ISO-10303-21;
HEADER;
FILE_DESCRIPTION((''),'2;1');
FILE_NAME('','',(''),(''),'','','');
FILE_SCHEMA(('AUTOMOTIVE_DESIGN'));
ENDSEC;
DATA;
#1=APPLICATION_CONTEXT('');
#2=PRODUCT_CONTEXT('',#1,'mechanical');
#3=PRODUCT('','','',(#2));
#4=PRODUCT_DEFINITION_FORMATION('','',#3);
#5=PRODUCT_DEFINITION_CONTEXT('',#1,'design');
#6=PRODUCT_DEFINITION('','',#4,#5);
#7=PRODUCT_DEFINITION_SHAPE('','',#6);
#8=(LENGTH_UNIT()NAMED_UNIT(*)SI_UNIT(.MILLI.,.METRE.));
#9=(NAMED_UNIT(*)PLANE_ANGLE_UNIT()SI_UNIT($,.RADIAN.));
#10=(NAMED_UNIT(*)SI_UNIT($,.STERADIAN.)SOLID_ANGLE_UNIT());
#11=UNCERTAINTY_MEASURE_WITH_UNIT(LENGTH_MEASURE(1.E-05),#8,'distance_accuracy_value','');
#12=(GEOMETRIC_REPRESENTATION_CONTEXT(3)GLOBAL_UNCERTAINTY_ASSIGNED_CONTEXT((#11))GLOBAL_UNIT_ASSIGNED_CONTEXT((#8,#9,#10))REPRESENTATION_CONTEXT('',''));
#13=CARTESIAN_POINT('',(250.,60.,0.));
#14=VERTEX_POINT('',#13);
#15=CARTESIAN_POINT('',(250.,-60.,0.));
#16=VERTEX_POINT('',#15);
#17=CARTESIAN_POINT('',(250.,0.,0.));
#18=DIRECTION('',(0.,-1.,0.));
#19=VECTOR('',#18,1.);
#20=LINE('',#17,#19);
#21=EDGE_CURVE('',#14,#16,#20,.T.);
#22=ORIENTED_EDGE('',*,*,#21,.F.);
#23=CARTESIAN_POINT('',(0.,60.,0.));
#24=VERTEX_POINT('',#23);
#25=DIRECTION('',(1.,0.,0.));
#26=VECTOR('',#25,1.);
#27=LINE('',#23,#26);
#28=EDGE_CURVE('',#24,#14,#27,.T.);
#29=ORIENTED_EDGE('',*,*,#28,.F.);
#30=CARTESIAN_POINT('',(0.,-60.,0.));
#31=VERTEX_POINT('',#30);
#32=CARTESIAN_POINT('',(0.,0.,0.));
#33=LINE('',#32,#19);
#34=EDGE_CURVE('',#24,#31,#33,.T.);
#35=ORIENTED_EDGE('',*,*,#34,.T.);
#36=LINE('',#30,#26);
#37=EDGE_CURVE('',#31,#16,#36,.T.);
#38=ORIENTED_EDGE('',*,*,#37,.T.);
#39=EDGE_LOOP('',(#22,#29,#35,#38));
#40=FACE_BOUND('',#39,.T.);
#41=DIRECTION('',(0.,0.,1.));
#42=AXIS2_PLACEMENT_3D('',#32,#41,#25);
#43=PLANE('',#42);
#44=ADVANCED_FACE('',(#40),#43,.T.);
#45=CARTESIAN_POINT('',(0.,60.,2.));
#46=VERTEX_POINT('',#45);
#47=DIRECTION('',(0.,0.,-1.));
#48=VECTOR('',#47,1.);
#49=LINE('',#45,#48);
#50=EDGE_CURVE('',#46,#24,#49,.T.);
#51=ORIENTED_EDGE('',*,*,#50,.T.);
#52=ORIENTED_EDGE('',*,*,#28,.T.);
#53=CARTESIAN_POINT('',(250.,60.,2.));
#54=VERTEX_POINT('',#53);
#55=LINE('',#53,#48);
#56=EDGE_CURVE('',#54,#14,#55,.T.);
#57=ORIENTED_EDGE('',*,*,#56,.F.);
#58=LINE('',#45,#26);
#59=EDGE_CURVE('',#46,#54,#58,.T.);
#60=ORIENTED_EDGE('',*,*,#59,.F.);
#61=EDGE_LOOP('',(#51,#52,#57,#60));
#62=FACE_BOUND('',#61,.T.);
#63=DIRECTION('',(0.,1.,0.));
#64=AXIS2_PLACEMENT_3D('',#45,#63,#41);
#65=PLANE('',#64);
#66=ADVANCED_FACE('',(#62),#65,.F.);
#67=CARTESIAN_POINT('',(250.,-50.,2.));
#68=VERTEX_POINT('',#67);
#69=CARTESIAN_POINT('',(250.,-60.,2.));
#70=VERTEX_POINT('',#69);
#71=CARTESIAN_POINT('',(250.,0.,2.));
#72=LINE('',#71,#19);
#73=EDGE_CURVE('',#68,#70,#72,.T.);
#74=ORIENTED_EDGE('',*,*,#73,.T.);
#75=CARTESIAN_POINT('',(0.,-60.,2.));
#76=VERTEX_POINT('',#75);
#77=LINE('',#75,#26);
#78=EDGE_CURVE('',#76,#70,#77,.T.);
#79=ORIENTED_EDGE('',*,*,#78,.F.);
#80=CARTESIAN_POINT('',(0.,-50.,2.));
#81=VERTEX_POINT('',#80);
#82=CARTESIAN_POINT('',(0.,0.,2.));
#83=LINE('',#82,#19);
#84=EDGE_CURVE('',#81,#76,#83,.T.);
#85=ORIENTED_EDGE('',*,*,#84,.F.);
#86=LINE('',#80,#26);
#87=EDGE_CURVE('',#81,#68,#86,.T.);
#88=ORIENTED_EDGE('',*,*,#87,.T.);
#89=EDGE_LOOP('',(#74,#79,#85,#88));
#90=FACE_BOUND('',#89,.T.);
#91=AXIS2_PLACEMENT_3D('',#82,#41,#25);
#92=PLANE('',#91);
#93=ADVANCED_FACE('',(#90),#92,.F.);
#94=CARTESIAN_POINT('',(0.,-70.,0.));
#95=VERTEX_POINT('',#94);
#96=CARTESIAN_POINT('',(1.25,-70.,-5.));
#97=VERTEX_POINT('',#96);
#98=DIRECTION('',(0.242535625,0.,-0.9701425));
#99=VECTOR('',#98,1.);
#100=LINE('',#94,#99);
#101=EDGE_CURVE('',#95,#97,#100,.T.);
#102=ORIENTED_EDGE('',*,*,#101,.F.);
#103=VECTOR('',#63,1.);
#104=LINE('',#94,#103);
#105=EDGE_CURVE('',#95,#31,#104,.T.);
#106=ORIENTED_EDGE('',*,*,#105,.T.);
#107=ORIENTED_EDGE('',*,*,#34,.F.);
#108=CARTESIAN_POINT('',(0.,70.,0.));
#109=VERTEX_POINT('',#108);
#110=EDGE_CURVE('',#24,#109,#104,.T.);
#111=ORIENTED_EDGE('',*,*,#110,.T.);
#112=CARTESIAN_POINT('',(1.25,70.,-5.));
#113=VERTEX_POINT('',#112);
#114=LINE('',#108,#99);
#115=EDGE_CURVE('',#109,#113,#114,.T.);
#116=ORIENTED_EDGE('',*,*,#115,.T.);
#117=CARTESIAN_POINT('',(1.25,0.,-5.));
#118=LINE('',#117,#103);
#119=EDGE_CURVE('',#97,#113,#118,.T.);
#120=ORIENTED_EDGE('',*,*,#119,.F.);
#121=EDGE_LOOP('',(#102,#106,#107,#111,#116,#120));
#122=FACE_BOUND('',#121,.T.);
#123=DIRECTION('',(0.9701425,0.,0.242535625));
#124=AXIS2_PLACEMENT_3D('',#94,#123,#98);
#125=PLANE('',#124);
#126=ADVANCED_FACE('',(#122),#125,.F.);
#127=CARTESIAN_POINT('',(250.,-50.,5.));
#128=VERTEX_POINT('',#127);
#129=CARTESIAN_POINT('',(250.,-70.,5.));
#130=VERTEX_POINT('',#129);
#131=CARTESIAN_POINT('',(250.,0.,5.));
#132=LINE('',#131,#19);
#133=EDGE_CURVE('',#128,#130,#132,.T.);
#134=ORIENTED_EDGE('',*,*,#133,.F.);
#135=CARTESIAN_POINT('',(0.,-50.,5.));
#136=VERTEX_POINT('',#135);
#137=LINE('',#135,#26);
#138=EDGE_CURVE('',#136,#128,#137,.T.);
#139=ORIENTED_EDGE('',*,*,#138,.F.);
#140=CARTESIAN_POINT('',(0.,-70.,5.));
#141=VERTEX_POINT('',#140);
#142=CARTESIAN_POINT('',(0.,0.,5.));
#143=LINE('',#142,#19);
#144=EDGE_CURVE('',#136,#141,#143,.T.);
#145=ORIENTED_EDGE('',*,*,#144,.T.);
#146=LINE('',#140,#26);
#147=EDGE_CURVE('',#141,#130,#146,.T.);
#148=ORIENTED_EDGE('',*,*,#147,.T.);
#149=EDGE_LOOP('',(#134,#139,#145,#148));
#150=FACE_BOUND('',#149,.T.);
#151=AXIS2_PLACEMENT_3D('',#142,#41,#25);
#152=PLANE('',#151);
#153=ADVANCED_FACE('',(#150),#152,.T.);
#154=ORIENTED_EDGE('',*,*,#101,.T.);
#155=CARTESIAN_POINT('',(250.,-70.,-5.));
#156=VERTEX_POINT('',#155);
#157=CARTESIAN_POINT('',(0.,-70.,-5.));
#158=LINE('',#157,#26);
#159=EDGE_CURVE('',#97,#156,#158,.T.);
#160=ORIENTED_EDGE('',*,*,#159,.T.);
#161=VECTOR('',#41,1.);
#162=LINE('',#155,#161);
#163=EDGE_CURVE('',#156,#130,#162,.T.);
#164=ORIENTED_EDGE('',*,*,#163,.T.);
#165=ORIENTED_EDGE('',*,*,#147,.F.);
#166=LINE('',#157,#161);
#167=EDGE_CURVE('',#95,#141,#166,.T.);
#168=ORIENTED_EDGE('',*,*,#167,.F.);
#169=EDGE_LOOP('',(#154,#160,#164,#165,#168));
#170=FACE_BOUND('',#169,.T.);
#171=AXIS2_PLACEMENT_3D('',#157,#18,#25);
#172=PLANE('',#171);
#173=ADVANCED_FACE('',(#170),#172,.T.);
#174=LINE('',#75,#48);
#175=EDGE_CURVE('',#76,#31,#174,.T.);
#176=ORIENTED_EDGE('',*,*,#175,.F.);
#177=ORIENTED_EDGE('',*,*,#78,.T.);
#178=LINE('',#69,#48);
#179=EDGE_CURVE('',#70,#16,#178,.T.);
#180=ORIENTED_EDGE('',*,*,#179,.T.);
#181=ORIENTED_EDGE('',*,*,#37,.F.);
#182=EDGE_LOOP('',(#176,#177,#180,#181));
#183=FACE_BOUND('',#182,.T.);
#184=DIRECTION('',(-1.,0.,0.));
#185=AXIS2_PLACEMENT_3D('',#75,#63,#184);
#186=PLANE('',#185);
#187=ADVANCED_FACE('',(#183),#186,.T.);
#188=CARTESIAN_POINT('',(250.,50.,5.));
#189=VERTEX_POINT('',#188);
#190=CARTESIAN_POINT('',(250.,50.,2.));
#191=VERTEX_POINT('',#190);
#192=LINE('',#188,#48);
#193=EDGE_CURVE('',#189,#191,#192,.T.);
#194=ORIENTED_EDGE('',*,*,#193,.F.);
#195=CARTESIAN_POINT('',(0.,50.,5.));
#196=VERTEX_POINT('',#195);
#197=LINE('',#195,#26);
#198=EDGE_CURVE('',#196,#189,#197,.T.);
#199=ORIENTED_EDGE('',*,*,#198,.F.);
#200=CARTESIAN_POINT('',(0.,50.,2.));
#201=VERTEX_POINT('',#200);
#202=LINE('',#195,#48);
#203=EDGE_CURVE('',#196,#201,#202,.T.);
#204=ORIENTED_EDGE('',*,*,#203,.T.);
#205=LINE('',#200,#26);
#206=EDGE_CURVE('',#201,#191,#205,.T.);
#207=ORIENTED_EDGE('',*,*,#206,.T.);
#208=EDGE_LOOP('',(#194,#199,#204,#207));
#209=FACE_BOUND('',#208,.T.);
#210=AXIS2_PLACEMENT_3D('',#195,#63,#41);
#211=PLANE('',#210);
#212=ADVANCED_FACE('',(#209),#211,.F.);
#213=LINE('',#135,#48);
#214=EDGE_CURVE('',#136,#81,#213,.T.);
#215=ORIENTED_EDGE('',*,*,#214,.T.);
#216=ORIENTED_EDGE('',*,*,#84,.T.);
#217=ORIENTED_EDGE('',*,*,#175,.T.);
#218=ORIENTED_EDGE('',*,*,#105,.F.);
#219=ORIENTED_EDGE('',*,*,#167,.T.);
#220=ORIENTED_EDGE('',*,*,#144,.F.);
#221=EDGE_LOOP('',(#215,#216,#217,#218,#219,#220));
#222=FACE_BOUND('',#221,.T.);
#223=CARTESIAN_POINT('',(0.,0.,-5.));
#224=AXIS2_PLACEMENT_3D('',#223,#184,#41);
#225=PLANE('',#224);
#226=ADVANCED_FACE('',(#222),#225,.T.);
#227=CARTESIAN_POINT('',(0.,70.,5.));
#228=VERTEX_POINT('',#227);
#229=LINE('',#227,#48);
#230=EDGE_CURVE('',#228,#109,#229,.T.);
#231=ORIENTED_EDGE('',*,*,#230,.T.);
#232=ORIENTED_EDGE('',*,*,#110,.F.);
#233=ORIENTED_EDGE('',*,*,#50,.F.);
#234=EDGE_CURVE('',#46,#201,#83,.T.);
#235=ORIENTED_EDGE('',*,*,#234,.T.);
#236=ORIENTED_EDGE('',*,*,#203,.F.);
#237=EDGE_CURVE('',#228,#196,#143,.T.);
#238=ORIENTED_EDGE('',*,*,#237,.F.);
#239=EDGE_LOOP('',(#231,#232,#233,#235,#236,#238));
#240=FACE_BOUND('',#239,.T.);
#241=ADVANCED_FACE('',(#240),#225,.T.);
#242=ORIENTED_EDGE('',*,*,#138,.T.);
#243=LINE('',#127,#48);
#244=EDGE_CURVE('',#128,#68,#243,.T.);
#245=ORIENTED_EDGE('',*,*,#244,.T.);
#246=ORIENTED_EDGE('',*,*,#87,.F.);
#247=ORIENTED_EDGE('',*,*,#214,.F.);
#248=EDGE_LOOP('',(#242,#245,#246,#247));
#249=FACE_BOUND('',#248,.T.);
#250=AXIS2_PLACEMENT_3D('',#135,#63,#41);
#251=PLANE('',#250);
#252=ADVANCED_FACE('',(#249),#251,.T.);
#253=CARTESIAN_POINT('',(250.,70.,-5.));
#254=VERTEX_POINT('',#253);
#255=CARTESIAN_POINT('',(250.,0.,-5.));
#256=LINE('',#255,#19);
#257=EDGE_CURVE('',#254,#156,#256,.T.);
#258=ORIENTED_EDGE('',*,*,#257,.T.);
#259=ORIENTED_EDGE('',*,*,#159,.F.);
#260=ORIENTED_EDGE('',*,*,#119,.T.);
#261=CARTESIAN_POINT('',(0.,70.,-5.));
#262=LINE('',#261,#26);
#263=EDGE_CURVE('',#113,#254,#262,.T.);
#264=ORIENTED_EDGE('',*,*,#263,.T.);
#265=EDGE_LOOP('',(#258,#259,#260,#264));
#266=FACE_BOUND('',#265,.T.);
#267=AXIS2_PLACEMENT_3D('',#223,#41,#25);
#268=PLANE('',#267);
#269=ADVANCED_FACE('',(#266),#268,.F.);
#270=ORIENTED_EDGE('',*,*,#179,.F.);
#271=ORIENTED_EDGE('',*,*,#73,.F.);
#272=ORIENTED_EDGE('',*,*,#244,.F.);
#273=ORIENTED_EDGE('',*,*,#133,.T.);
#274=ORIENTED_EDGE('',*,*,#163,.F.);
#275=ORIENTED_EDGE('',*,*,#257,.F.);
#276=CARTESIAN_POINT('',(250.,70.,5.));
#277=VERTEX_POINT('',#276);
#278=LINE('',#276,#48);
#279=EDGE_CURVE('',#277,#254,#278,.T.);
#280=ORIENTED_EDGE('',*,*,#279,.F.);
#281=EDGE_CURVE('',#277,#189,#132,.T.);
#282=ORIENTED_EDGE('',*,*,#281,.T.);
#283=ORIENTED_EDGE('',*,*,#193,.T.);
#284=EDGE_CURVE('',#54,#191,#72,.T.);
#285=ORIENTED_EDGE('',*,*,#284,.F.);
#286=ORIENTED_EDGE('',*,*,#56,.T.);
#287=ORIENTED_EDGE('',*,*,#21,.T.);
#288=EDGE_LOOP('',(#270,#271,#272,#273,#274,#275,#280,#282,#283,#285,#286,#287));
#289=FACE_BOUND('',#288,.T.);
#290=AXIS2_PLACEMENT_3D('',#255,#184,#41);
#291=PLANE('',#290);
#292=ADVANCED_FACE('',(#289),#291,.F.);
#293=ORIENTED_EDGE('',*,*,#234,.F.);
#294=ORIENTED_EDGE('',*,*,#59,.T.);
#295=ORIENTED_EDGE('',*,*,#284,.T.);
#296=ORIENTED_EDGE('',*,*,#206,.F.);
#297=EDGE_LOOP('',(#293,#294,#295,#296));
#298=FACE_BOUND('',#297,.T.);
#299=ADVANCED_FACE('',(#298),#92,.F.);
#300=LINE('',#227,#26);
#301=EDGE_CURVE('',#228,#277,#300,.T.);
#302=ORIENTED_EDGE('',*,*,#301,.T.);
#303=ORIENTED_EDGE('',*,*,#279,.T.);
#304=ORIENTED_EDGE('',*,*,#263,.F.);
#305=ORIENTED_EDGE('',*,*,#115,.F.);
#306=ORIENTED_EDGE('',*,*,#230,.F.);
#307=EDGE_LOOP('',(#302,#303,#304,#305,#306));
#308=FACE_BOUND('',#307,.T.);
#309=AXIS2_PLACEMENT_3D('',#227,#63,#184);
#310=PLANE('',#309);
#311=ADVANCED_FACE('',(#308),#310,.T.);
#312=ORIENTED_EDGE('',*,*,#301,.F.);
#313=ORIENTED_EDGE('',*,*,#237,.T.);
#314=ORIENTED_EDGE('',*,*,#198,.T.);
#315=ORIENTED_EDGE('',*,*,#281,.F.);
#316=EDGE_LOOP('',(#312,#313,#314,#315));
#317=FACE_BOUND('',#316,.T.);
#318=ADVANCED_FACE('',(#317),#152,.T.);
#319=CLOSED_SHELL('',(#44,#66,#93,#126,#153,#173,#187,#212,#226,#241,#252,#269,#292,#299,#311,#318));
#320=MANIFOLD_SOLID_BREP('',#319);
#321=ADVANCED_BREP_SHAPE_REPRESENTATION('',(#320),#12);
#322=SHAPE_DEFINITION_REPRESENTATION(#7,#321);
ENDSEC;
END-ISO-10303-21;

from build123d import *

# Parameters (mm, degrees)
BOSS_EXTRUDE1_DEPTH      = 5
BOSS_EXTRUDE1_DEPTH_BACK = 5
SKETCH1_W                = 250
SKETCH1_H                = 140
SKETCH1_3_W              = 250
SKETCH1_3_H              = 100
CUT_EXTRUDE1_DEPTH       = 260.663243452
SKETCH1_4_W              = 250
SKETCH1_4_H              = 10
CUT_EXTRUDE2_DEPTH       = 2
CUT_EXTRUDE3_DEPTH       = 260.663243452
CUT_EXTRUDE3_DEPTH_BACK  = 260.663243452


with BuildPart() as part:
    # Sketch1 → Boss-Extrude1 (new, two sides: drawn at the far end of the back side and taken through both)
    with BuildSketch(Plane.XY.offset(-BOSS_EXTRUDE1_DEPTH_BACK)):
        with Locations((125, 0)):
            Rectangle(SKETCH1_W, SKETCH1_H)
    extrude(amount=BOSS_EXTRUDE1_DEPTH + BOSS_EXTRUDE1_DEPTH_BACK)

    # Sketch1<3> → Cut-Extrude1 (cut, through all)
    with BuildSketch(Plane.XY):
        with Locations((125, 0)):
            Rectangle(SKETCH1_3_W, SKETCH1_3_H)
    extrude(amount=CUT_EXTRUDE1_DEPTH, mode=Mode.SUBTRACT)

    # Sketch1<4> → Cut-Extrude2 (cut)
    with BuildSketch(Plane.XY):
        with Locations((125, 55)):
            Rectangle(SKETCH1_4_W, SKETCH1_4_H)
        with Locations((125, -55)):
            Rectangle(SKETCH1_4_W, SKETCH1_4_H)
    extrude(amount=CUT_EXTRUDE2_DEPTH, mode=Mode.SUBTRACT)

    # Sketch2 → Cut-Extrude3 (cut, two sides: drawn at the far end of the back side and taken through both)
    with BuildSketch(Plane(origin=(0, 0, 0), x_dir=(1, 0, 0), z_dir=(0, 1, 0)).offset(-CUT_EXTRUDE3_DEPTH_BACK)):
        Polygon((0, 0), (7.5, 30), (0, 30), align=None)
    extrude(amount=CUT_EXTRUDE3_DEPTH + CUT_EXTRUDE3_DEPTH_BACK, mode=Mode.SUBTRACT)


solid = part.part
